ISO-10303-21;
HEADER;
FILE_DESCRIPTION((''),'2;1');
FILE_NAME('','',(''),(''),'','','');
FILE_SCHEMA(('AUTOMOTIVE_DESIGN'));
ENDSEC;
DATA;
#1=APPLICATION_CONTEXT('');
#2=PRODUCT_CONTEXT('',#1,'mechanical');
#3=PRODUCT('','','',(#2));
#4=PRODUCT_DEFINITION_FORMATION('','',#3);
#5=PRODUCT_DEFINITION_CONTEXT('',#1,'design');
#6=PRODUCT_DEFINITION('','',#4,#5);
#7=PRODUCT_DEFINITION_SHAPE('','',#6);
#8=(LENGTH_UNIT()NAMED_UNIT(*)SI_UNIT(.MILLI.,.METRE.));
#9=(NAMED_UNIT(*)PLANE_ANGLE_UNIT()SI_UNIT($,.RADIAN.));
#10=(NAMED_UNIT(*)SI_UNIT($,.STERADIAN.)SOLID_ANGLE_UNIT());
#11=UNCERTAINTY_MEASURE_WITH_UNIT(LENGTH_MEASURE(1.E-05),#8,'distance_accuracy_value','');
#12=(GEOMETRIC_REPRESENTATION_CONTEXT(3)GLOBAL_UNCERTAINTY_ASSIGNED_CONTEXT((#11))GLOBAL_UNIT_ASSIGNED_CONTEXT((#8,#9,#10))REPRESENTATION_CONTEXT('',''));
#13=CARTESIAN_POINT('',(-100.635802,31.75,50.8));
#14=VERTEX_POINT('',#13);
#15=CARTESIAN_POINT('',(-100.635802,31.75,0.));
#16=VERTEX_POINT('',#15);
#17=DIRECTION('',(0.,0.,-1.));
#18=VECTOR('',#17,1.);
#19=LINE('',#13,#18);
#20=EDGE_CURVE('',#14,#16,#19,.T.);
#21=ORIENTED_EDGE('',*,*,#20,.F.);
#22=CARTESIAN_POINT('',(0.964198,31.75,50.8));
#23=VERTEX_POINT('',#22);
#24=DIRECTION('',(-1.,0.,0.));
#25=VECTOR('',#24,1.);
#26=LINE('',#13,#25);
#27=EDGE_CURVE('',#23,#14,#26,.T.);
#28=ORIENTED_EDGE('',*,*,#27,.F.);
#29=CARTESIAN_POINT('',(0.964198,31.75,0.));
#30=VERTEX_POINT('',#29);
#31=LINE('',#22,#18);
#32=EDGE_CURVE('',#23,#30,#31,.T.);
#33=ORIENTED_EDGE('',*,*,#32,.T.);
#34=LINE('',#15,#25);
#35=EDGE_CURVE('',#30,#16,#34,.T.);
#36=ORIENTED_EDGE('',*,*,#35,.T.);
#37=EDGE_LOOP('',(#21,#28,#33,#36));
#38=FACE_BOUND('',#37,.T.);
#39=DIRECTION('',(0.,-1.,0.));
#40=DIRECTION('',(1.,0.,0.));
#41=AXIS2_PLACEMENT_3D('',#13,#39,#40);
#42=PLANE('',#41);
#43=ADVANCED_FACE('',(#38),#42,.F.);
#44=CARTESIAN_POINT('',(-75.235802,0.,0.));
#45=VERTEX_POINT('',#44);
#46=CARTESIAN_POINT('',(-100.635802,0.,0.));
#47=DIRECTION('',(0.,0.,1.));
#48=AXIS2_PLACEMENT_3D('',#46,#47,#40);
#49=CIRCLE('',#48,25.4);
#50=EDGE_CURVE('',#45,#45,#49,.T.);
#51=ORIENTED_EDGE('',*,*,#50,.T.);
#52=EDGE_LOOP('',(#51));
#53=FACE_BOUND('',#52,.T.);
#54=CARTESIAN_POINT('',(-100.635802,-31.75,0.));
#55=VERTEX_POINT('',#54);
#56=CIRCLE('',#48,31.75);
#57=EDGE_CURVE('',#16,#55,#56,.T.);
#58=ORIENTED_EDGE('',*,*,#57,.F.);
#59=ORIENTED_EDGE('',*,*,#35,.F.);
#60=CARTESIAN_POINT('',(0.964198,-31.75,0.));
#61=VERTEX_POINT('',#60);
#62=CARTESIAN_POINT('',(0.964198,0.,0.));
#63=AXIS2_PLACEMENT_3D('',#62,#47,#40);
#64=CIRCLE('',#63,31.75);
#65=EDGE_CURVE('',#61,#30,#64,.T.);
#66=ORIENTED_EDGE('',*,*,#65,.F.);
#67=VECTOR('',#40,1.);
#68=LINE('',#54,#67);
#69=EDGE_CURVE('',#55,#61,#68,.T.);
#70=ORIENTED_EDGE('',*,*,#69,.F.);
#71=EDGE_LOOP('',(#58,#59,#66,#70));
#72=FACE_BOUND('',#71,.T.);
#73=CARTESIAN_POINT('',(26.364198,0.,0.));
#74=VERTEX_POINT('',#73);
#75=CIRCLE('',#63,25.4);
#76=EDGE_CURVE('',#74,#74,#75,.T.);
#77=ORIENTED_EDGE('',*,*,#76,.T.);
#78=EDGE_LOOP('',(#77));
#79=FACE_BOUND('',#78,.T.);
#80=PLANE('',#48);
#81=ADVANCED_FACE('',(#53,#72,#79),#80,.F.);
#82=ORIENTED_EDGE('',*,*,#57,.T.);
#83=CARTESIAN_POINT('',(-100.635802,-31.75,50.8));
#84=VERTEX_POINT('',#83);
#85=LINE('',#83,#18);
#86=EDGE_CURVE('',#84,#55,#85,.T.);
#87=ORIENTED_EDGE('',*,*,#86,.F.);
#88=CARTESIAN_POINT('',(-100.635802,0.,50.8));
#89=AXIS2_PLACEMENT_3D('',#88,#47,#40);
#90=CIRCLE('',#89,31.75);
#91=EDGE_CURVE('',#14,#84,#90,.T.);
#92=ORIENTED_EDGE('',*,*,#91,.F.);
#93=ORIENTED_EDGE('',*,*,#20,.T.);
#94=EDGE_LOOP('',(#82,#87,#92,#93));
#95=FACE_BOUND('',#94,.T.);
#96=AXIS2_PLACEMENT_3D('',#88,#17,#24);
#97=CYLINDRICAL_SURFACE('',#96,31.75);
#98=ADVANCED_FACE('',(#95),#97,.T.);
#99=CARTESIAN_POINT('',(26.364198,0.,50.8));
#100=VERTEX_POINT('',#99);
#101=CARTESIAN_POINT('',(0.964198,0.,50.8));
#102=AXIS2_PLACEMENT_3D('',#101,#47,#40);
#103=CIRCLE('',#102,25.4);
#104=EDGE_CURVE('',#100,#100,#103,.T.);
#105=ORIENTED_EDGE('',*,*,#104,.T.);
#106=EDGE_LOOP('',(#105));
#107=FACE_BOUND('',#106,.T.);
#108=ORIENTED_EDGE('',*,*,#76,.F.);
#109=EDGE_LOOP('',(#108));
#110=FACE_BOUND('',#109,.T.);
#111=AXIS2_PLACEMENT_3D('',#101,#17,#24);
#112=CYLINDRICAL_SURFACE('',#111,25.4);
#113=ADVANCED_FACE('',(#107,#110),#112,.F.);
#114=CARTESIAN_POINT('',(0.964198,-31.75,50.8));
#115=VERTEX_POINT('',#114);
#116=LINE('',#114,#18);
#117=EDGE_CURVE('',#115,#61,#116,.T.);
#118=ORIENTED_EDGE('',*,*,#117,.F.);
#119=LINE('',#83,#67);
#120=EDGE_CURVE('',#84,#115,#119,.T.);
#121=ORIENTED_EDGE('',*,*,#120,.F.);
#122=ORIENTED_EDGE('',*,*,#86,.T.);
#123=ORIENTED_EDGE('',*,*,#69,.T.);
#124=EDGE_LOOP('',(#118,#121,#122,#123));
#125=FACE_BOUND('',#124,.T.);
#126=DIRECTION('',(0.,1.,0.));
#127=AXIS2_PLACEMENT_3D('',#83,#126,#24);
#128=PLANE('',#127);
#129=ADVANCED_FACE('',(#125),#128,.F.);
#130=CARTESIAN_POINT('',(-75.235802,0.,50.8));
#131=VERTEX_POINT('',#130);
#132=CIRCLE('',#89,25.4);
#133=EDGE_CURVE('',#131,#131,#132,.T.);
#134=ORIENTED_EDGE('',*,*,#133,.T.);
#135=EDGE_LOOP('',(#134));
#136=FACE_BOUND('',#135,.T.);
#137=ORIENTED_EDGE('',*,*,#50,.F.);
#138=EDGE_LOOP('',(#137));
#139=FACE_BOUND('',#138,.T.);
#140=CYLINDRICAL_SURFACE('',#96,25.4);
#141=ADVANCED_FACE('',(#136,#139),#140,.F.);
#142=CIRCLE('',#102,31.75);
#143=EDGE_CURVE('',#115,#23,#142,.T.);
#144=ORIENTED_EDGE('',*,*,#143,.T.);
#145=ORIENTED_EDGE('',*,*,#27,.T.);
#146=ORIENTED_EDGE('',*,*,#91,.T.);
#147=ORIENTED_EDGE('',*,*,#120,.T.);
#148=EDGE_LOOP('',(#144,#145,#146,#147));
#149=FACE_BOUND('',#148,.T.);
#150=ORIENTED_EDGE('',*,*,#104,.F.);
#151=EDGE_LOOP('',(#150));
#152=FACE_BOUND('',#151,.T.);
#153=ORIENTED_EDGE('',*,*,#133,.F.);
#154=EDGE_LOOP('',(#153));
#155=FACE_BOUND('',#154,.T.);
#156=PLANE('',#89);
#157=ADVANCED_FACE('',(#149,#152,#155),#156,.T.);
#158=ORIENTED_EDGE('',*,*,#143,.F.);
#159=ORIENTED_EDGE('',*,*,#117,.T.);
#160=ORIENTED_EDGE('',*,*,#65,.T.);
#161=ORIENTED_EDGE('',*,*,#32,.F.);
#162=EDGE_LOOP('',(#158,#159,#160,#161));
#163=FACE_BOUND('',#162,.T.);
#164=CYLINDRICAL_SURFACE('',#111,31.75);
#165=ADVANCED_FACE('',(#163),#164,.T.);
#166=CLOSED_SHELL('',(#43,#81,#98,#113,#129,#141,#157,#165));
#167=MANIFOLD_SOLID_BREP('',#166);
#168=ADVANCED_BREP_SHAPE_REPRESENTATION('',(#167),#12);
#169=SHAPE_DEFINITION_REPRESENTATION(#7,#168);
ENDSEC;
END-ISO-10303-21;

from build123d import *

# Parameters (mm, degrees)
SKETCH1_R           = 25.4
BOSS_EXTRUDE1_DEPTH = 50.8


with BuildPart() as part:
    # Sketch1 → Boss-Extrude1 (new body)
    with BuildSketch(Plane.XY):
        with BuildLine():
            Line((-100.635802195, 31.75), (0.964197805, 31.75))
            ThreePointArc((0.964197805, 31.75), (32.714197805, 0), (0.964197805, -31.75))
            Line((0.964197805, -31.75), (-100.635802195, -31.75))
            ThreePointArc((-100.635802195, -31.75), (-132.385802195, 0), (-100.635802195, 31.75))
        make_face()
        with Locations((-100.635802195, 0)):
            Circle(SKETCH1_R, mode=Mode.SUBTRACT)
        with Locations((0.964197805, 0)):
            Circle(SKETCH1_R, mode=Mode.SUBTRACT)
    extrude(amount=BOSS_EXTRUDE1_DEPTH)


solid = part.part
